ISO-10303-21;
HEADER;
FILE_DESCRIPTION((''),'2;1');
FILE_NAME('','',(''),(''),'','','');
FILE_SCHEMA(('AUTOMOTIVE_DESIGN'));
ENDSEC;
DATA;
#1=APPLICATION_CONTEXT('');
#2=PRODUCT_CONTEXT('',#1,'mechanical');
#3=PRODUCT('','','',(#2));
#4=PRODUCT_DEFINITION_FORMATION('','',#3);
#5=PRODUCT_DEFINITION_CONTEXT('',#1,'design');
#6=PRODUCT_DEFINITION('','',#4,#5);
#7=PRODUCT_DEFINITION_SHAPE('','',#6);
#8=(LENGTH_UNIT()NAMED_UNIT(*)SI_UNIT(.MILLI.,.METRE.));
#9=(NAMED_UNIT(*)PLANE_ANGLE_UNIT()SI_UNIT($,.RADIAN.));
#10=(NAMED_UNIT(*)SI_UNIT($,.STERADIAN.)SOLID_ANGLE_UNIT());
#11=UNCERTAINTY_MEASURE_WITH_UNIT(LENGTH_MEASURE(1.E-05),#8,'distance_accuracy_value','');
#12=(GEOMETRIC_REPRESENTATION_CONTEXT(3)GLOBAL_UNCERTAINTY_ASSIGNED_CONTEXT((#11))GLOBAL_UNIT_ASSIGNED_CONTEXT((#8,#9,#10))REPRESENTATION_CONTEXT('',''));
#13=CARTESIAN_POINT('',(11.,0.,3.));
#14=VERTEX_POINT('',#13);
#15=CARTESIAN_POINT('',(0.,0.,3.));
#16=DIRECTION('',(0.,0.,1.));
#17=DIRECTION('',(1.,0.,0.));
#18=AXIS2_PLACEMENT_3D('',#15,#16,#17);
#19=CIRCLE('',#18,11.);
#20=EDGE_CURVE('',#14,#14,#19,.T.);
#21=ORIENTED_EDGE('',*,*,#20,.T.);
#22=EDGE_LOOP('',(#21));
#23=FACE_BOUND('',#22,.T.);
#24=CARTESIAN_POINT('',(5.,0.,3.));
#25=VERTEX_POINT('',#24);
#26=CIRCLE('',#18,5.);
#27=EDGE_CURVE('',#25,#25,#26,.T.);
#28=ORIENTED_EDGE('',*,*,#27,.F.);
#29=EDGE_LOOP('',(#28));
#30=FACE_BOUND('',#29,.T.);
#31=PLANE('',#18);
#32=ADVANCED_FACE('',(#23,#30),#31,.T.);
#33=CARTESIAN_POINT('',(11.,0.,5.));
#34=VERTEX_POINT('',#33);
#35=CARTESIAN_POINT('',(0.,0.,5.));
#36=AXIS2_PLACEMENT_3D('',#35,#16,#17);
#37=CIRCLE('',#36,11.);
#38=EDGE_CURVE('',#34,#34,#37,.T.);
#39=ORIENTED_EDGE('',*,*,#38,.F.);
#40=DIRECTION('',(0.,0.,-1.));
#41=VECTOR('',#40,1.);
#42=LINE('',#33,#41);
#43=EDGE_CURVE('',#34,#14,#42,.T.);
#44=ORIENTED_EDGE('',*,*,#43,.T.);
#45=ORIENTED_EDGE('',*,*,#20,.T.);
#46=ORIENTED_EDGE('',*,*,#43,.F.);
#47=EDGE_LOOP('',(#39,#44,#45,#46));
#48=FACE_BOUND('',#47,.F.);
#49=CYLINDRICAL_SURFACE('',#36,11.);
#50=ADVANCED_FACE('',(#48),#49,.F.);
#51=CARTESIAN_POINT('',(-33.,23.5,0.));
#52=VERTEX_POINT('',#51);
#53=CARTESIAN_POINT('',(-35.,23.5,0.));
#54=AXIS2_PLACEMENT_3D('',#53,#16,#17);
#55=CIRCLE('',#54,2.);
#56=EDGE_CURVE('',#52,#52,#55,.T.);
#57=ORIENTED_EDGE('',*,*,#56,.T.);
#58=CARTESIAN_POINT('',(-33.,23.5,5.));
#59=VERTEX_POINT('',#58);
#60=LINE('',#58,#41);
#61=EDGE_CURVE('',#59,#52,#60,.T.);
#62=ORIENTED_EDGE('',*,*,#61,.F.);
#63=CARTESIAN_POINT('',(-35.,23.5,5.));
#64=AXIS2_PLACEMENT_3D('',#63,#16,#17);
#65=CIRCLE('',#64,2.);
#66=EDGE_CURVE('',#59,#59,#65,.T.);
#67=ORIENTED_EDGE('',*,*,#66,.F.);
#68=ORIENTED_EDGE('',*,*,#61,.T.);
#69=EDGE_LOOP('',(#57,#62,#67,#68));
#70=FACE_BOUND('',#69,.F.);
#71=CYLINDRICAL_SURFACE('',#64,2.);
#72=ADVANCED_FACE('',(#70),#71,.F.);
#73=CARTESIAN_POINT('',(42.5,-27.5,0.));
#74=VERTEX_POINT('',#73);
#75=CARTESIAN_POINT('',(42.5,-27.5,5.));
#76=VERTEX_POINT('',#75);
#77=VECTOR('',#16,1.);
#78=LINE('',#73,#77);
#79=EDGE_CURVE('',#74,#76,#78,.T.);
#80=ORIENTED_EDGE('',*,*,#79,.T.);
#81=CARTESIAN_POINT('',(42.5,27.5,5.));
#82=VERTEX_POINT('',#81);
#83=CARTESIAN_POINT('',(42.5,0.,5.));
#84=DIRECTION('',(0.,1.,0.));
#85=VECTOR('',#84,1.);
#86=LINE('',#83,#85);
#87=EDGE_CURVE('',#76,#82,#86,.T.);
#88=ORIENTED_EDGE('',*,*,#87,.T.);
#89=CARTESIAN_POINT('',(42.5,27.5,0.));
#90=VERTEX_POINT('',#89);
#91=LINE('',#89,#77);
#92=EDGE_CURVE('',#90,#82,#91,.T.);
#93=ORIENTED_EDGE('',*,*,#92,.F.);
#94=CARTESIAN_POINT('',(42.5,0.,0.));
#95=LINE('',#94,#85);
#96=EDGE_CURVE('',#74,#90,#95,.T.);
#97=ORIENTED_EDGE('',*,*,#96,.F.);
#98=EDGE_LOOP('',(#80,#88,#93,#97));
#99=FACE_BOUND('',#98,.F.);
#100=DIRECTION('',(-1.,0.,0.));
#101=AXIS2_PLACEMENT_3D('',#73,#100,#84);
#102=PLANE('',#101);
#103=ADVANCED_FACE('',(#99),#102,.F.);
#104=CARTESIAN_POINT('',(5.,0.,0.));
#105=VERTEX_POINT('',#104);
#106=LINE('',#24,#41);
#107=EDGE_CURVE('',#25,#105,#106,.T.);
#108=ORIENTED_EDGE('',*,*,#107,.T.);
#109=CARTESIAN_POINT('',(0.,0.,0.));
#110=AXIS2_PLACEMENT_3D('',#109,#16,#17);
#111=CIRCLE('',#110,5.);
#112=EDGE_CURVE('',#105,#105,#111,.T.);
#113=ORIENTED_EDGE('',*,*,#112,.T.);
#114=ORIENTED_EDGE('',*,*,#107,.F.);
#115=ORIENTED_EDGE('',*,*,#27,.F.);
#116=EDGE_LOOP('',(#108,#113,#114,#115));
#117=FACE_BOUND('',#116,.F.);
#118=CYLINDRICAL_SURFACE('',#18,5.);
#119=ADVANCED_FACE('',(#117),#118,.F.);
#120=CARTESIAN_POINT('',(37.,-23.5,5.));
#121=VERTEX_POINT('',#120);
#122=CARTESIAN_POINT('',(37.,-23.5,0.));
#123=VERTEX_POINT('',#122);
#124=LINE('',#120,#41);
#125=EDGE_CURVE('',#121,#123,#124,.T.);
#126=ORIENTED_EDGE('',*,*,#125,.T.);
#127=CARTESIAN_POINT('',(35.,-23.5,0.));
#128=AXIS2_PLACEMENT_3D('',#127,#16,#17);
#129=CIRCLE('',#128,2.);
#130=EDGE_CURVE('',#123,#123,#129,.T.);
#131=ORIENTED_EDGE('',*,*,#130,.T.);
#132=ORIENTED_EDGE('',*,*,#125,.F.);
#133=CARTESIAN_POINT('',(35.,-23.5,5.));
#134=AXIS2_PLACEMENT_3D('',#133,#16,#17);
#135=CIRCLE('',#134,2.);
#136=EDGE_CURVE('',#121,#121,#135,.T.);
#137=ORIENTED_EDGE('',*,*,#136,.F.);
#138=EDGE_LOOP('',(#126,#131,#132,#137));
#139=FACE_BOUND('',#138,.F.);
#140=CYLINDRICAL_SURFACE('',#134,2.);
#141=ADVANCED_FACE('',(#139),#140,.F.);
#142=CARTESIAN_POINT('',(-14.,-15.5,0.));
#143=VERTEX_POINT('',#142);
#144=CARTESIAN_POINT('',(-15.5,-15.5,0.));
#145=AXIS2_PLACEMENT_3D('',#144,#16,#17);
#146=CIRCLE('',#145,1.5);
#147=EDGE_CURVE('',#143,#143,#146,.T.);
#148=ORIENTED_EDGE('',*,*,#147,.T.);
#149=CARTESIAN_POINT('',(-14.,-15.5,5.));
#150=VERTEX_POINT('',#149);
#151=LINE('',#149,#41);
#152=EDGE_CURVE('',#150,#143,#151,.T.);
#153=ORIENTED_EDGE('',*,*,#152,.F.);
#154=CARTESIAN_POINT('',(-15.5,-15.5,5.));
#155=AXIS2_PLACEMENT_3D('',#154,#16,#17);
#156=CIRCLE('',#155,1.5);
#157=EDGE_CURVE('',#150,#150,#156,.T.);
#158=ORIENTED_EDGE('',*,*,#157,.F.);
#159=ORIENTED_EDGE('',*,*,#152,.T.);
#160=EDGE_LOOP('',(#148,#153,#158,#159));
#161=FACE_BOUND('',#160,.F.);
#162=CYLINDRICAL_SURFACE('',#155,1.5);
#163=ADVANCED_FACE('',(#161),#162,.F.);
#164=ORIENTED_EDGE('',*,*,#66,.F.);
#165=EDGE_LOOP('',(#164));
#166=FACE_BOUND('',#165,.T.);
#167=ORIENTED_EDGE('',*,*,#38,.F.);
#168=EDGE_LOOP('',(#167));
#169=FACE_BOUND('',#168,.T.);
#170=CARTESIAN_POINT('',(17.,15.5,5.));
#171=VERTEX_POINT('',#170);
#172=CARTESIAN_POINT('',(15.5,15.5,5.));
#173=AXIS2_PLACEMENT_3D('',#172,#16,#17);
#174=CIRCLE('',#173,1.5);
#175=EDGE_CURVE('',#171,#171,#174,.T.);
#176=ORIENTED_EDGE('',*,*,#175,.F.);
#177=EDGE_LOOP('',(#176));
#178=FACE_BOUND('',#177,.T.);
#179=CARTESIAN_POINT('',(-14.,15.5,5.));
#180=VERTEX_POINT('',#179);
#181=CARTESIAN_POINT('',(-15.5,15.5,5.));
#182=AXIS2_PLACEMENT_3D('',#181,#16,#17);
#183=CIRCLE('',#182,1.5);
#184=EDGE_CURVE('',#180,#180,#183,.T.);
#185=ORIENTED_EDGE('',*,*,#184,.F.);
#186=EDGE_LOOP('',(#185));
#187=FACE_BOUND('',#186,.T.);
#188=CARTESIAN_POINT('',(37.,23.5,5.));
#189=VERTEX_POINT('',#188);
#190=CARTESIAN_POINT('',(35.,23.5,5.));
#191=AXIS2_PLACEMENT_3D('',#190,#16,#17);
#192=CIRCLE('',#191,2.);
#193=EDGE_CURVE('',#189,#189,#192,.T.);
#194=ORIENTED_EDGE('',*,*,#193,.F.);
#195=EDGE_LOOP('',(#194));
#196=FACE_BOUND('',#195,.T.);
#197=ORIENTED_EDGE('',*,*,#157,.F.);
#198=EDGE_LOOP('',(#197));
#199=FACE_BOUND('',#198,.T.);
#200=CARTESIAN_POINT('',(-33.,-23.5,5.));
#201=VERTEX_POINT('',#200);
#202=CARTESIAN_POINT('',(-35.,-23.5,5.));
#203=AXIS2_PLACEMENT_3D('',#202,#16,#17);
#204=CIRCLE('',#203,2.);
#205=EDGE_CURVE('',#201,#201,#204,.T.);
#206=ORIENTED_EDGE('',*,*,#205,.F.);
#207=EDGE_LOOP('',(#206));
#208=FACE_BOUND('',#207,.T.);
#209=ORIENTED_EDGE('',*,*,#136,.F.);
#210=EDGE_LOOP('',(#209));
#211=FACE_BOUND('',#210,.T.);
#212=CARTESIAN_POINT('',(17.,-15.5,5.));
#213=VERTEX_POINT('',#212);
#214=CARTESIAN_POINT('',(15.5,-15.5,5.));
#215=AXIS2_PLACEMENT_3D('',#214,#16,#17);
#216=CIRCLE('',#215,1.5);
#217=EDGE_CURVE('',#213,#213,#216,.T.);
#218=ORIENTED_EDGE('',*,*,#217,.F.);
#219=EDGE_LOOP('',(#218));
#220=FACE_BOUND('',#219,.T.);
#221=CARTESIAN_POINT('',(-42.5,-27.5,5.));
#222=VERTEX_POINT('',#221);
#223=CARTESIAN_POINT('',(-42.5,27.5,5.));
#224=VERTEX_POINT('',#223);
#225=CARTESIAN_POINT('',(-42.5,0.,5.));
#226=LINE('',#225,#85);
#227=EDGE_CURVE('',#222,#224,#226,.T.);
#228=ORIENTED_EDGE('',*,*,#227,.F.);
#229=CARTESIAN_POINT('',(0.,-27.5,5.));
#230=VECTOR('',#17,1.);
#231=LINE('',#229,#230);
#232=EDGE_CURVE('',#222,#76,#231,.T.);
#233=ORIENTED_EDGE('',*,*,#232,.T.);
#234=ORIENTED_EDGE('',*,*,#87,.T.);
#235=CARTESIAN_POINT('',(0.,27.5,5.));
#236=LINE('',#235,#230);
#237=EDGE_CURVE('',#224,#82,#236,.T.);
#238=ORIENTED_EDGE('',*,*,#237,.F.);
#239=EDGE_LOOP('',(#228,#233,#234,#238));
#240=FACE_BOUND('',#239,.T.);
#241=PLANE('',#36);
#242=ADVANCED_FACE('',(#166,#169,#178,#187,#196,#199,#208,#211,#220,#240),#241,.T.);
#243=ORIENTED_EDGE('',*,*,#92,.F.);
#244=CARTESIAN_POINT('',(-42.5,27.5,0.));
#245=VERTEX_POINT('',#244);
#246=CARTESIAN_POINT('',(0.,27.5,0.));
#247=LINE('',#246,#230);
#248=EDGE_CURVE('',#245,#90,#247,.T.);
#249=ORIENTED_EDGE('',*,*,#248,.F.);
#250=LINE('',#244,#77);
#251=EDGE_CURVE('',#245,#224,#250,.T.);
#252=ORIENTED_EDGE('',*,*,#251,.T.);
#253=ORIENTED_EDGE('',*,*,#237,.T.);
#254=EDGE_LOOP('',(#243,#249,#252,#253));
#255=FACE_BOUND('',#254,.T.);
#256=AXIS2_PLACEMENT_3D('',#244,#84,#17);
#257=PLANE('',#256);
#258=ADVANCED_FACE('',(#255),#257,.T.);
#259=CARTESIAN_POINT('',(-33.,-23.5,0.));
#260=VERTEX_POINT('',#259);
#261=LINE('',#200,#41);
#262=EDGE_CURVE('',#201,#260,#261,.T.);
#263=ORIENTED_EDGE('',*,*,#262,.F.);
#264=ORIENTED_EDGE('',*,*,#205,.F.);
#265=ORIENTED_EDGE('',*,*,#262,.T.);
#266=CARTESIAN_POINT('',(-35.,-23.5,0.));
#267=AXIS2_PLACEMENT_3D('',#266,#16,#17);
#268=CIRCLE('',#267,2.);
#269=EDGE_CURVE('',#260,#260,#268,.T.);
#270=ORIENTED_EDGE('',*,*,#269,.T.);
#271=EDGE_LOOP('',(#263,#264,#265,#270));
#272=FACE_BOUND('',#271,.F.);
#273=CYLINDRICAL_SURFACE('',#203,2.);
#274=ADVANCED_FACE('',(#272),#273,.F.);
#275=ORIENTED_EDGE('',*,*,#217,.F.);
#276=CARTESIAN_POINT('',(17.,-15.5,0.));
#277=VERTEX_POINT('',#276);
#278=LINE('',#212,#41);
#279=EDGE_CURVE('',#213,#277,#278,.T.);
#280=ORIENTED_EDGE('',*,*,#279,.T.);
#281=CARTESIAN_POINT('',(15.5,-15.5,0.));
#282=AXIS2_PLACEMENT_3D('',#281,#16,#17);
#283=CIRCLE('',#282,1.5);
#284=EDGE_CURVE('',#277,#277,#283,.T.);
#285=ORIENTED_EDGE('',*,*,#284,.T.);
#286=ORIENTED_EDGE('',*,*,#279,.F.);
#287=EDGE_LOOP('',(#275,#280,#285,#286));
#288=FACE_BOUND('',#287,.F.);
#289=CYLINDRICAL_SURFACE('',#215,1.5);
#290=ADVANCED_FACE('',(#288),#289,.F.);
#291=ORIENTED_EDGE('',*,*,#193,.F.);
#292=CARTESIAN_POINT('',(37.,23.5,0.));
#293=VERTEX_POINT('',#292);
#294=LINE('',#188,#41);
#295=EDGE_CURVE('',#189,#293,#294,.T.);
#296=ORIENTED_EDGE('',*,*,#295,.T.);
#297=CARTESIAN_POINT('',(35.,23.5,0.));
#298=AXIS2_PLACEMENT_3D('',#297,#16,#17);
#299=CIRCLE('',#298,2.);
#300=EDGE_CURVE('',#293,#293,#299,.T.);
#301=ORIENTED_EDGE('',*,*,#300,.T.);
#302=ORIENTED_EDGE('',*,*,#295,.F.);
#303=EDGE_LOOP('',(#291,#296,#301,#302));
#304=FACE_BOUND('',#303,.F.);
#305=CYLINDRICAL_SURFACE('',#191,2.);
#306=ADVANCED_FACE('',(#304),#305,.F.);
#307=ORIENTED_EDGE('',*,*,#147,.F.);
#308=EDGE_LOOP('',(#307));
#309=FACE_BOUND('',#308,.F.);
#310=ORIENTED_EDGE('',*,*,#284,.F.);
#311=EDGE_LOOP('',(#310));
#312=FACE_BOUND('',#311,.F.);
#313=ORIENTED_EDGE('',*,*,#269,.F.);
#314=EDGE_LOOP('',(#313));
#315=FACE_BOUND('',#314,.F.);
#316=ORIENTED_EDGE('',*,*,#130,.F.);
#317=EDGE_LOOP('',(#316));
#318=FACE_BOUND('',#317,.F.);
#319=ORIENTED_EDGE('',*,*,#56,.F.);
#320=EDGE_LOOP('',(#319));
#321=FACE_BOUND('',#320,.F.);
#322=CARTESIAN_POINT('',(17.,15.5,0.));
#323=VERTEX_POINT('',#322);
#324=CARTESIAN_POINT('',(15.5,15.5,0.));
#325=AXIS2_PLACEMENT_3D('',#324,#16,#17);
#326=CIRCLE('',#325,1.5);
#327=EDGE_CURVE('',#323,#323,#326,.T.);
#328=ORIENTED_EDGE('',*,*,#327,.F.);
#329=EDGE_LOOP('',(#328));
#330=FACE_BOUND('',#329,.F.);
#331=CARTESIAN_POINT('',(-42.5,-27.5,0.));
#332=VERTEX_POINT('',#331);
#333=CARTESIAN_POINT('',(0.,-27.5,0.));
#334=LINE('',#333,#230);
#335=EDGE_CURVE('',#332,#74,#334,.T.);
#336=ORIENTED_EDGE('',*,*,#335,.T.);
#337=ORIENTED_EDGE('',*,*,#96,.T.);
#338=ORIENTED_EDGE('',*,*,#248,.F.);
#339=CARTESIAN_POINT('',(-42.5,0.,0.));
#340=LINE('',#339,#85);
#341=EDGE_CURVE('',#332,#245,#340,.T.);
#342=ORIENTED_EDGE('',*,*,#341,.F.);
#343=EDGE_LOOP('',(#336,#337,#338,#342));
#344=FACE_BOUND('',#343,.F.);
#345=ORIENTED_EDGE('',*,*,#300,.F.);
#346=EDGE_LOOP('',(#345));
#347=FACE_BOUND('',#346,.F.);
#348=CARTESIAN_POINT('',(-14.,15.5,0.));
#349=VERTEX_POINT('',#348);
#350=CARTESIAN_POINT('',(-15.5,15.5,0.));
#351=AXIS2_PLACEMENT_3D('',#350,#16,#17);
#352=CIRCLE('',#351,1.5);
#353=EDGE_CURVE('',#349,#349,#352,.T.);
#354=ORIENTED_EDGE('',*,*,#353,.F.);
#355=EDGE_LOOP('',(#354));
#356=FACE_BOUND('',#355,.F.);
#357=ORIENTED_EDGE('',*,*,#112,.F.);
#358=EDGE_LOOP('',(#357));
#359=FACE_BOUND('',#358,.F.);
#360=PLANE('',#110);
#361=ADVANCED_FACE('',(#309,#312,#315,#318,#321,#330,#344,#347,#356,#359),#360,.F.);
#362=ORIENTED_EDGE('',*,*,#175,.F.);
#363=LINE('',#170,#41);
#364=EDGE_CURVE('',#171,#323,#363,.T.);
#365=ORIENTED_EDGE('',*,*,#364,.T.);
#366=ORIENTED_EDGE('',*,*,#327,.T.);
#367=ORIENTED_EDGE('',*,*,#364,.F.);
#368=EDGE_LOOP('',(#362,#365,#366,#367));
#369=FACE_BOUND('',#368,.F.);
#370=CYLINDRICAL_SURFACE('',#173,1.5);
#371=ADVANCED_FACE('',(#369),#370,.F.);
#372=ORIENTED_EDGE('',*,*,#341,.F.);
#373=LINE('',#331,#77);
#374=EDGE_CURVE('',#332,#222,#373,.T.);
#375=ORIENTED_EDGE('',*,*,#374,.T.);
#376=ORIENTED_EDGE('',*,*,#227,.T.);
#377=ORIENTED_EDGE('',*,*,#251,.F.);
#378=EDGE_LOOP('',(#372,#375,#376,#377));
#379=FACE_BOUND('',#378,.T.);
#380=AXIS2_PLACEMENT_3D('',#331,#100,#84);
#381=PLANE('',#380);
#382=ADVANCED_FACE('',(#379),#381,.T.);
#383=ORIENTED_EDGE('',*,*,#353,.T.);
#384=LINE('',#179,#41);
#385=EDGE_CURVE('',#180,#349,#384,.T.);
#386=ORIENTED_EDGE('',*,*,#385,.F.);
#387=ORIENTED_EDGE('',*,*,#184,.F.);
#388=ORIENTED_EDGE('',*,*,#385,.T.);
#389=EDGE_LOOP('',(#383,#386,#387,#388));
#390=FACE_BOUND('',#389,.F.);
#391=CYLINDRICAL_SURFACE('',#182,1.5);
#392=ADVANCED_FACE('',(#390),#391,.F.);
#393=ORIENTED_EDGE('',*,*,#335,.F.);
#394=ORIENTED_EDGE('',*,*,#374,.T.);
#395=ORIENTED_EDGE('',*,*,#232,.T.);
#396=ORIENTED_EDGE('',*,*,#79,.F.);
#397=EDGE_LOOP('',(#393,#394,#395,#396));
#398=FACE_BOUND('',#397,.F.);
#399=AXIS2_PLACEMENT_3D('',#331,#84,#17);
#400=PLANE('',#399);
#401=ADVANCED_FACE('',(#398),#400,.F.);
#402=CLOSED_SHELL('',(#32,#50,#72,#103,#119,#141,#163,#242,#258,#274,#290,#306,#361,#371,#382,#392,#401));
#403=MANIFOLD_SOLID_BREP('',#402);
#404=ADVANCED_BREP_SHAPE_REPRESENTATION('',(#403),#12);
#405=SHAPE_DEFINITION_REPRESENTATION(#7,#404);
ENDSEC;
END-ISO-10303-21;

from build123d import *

# Parameters (mm, degrees)
F0_W     = 85
F0_H     = 55
F1_DEPTH = 5
F2_R     = 11
F3_DEPTH = 2
F4_R     = 5
F5_DEPTH = 3.001
F6_R     = 1.5
F7_DEPTH = 5.001
F8_R     = 2
F9_DEPTH = 5.001


with BuildPart() as f1:
    # F0 (on Top) → F1 (new body)
    with BuildSketch(Plane.XY):
        Rectangle(F0_W, F0_H)
    extrude(amount=F1_DEPTH)

    # F2 (on face) → F3 (cut)
    with BuildSketch(Plane.XY.offset(5)):
        Circle(F2_R)
    extrude(amount=-F3_DEPTH, mode=Mode.SUBTRACT)

    # F4 (on face) → F5 (cut, through all)
    with BuildSketch(Plane.XY.offset(3)):
        Circle(F4_R)
    extrude(amount=-F5_DEPTH, mode=Mode.SUBTRACT)

    # F6 (on face) → F7 (cut, through all)
    with BuildSketch(Plane.XY.offset(5)):
        with Locations((-15.5, 15.5)):
            Circle(F6_R)
        with Locations((15.5, 15.5)):
            Circle(F6_R)
        with Locations((15.5, -15.5)):
            Circle(F6_R)
        with Locations((-15.5, -15.5)):
            Circle(F6_R)
    extrude(amount=-F7_DEPTH, mode=Mode.SUBTRACT)

    # F8 (on face) → F9 (cut, through all)
    with BuildSketch(Plane.XY.offset(5)):
        with Locations((-35, -23.5)):
            Circle(F8_R)
        with Locations((-35, 23.5)):
            Circle(F8_R)
        with Locations((35, 23.5)):
            Circle(F8_R)
        with Locations((35, -23.5)):
            Circle(F8_R)
    extrude(amount=-F9_DEPTH, mode=Mode.SUBTRACT)


solid = f1.part
